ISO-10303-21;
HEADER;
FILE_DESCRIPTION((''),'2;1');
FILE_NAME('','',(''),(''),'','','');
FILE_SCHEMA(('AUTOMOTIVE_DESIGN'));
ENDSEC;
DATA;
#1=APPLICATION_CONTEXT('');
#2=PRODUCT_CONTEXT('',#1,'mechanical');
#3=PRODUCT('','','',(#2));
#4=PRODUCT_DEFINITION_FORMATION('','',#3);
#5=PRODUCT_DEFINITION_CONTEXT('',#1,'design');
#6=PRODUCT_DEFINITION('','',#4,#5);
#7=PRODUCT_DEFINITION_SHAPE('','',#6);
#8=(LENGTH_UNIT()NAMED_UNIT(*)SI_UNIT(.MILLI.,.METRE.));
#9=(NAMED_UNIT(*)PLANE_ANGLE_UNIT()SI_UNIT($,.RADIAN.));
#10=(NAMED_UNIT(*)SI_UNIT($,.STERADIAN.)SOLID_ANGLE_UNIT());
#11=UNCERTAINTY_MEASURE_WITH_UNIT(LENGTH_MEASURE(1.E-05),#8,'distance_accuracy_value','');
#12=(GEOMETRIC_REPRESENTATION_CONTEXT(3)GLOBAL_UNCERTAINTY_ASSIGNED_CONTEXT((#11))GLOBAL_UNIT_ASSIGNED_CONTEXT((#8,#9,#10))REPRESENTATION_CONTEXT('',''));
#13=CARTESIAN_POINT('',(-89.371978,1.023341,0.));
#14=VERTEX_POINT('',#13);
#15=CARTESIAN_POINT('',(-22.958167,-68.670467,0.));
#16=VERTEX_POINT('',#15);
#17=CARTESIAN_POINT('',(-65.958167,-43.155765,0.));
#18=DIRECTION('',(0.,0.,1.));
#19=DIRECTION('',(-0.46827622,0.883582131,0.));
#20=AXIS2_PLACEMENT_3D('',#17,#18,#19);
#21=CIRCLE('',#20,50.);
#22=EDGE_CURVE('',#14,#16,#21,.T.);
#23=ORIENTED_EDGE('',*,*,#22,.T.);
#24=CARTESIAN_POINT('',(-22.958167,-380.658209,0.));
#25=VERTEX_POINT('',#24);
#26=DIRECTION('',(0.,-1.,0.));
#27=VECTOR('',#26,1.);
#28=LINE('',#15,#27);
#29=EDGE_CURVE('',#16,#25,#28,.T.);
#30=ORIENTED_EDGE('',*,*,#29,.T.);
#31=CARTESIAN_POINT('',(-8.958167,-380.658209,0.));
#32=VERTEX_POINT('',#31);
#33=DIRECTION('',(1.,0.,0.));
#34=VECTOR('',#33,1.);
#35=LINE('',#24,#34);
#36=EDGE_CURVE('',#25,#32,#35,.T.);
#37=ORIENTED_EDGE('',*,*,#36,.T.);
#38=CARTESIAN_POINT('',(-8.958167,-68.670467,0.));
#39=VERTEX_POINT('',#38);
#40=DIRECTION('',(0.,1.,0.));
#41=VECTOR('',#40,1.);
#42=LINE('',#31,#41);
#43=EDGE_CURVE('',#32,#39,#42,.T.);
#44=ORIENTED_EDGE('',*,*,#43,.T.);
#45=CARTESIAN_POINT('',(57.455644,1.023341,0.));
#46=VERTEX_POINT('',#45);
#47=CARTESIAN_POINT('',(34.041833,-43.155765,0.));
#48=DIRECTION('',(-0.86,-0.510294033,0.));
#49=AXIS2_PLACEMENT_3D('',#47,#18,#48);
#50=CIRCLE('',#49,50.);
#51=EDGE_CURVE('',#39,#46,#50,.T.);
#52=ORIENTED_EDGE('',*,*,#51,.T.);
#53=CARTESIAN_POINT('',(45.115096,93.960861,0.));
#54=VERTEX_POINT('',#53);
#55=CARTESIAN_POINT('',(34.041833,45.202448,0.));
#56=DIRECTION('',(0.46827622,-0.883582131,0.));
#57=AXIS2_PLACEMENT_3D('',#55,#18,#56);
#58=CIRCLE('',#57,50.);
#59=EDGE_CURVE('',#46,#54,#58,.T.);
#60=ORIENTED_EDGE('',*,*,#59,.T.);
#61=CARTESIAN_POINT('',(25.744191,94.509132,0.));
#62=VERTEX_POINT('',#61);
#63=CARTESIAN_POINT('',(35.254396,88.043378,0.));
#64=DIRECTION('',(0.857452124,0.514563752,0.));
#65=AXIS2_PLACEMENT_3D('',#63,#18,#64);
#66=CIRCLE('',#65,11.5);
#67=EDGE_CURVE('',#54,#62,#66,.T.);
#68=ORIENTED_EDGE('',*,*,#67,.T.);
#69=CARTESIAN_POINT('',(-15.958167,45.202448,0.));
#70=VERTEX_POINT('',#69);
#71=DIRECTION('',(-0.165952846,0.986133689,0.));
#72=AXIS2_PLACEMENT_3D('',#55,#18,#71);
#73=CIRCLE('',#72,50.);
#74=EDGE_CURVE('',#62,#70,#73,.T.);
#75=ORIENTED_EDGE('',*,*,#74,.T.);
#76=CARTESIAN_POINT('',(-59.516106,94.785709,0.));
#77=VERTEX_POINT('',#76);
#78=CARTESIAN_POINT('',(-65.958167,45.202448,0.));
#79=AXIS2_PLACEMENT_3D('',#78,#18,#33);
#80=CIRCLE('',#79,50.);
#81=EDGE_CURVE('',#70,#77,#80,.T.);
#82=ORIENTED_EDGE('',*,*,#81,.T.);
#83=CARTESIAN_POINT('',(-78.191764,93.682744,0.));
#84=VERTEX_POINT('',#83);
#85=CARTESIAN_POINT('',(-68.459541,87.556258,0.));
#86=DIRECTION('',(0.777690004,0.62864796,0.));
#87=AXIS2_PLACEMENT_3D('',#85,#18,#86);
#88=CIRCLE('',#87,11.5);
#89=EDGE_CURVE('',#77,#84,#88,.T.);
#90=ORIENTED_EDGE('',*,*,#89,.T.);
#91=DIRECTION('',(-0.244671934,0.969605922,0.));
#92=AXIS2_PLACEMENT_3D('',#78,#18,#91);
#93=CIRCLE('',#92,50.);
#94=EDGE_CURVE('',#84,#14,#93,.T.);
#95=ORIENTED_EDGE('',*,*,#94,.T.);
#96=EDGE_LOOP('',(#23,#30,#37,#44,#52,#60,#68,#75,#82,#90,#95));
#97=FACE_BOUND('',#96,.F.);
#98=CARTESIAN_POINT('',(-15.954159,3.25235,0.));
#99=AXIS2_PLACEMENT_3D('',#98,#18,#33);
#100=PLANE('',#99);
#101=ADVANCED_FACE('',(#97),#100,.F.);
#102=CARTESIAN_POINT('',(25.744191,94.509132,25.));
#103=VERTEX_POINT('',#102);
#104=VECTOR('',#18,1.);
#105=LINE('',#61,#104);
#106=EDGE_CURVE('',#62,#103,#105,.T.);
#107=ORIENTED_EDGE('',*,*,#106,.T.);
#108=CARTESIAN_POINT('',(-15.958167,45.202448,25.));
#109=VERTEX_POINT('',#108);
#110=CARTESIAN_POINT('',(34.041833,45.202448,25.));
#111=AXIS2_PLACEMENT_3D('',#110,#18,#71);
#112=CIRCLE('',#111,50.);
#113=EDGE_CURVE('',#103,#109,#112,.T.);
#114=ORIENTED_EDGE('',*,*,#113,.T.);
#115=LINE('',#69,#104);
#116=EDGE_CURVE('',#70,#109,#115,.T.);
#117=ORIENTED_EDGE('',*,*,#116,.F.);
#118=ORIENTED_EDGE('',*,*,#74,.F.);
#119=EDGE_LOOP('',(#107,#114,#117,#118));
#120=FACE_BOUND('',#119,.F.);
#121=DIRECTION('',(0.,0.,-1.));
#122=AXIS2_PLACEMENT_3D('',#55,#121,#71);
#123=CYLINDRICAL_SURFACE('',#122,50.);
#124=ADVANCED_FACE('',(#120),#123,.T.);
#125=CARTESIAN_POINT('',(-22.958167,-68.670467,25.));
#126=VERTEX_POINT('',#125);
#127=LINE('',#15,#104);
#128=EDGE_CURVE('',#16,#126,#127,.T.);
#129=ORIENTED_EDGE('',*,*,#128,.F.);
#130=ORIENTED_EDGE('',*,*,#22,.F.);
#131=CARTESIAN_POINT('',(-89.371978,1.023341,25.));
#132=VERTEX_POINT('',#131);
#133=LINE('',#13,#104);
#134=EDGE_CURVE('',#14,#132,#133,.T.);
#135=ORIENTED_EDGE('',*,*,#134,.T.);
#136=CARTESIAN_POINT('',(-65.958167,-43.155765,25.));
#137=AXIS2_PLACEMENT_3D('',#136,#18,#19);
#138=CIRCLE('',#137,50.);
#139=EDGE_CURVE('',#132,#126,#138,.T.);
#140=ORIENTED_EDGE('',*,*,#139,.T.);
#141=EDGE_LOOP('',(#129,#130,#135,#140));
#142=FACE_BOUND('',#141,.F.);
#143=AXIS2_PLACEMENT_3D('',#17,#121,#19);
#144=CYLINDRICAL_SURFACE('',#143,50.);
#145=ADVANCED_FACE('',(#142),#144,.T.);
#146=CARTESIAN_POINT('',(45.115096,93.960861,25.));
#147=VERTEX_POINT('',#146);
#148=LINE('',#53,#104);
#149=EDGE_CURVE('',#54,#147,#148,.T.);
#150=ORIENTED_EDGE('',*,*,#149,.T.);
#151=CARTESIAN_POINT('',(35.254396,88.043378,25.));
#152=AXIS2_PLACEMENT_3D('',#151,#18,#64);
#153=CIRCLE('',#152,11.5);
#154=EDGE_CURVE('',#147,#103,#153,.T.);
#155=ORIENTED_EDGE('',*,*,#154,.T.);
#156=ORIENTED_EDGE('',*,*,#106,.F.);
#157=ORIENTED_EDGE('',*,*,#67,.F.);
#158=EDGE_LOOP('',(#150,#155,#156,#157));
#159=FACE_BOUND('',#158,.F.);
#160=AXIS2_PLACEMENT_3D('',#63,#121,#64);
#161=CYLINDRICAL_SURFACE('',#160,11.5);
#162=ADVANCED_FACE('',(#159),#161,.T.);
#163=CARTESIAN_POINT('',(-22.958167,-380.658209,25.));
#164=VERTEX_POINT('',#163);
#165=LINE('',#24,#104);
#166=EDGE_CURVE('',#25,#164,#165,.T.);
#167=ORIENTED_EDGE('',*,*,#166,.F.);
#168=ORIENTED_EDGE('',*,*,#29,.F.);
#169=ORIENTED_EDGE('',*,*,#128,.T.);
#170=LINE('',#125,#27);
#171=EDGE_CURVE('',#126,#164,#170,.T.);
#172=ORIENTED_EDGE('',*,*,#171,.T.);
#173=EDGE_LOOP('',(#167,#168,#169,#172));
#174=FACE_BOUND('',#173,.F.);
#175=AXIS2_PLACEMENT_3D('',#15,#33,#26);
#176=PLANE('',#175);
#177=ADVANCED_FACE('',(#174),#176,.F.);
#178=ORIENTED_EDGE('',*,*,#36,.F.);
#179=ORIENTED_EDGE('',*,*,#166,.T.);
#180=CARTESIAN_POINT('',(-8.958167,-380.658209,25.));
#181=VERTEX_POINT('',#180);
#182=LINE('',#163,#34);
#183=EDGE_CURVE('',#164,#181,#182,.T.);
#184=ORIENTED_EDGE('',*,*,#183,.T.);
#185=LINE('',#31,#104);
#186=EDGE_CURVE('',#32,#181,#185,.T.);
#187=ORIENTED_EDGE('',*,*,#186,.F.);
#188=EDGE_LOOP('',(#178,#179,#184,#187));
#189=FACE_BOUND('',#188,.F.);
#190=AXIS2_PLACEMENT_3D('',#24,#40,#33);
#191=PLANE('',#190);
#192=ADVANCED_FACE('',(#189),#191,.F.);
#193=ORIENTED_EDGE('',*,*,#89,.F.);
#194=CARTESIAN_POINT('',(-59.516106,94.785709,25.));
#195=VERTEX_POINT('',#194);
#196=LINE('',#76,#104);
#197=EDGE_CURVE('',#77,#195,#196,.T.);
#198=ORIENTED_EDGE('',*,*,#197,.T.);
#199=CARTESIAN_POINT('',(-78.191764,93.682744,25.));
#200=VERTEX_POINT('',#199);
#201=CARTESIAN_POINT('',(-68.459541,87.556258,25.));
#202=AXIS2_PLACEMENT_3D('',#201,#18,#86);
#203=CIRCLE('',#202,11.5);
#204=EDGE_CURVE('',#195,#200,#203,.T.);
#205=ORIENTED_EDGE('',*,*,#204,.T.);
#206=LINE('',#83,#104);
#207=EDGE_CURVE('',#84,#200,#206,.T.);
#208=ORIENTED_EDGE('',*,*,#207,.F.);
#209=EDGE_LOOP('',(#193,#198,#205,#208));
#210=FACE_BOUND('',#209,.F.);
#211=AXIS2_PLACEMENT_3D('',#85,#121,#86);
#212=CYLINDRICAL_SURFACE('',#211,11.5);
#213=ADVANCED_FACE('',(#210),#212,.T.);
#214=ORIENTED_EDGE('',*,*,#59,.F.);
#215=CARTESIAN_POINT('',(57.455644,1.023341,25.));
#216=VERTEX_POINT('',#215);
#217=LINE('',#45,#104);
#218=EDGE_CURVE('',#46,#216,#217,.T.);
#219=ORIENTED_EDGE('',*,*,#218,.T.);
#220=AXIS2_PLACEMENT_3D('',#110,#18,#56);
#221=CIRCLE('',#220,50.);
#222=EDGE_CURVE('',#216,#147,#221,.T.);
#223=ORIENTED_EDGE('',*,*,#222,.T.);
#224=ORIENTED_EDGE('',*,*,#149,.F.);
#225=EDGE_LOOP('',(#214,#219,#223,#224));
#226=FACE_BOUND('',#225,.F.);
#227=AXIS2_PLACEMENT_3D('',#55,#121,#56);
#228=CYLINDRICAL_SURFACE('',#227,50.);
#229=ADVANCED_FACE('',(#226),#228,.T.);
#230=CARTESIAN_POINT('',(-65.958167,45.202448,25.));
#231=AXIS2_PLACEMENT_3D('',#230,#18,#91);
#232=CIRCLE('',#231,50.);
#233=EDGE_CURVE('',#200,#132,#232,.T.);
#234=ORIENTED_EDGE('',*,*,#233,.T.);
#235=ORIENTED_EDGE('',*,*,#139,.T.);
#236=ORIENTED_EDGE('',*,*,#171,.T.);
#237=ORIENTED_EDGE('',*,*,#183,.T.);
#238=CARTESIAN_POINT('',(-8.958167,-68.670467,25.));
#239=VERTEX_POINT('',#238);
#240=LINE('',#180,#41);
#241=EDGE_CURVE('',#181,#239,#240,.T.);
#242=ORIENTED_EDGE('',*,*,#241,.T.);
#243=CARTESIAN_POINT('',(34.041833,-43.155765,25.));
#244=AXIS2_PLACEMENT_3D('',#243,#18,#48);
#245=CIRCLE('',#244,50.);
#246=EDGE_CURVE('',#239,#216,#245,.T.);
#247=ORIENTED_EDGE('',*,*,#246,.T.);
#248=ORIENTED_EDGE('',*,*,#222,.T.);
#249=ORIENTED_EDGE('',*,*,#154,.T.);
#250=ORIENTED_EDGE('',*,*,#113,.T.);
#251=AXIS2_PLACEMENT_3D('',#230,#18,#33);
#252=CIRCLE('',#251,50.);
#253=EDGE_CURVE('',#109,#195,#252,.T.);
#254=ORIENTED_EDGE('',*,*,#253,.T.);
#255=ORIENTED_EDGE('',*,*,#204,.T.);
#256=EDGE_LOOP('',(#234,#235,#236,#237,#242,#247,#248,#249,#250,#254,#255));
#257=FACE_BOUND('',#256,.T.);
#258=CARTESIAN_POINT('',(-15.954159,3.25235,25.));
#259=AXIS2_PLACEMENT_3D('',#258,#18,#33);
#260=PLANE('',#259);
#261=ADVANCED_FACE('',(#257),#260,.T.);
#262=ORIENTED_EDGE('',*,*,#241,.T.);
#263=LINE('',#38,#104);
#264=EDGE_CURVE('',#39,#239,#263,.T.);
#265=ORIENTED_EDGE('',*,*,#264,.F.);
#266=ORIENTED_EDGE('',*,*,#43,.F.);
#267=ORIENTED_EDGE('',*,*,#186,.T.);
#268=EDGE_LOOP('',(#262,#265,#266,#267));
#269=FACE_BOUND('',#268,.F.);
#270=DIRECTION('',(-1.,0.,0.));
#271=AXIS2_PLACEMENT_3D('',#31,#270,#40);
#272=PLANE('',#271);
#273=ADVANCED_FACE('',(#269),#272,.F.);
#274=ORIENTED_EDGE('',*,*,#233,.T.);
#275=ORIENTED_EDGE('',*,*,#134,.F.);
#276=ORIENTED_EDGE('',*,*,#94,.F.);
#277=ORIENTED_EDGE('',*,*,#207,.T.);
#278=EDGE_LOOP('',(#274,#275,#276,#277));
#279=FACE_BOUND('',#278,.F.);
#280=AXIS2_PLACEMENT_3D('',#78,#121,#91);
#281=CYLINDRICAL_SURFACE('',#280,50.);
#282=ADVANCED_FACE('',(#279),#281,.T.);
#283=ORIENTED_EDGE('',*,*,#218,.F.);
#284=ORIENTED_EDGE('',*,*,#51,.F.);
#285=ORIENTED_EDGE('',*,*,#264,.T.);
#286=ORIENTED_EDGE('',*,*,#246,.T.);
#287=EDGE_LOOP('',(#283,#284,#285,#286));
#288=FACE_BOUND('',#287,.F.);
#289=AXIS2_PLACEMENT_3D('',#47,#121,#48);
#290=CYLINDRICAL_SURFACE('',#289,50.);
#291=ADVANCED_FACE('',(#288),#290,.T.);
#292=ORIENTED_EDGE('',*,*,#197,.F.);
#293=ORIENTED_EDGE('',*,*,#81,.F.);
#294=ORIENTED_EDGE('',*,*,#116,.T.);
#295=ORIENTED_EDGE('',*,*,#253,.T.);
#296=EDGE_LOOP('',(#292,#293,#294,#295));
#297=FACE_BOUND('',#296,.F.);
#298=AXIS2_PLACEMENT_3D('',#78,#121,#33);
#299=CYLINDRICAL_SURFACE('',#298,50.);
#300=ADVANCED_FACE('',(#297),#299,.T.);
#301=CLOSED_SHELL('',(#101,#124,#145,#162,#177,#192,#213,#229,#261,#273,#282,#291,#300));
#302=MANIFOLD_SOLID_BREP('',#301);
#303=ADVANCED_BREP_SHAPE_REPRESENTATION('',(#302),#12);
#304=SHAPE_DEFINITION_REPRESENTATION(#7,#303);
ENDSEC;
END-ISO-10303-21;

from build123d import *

# Parameters (mm, degrees)
F1_DEPTH = 25
F2_DEPTH = 25


with BuildPart() as f1:
    # F0 (on Top) → F1 (new body)
    with BuildSketch(Plane.XY):
        with BuildLine():
            ThreePointArc((25.7441905011, 94.5091321303), (-4.1346135706, 77.4911290097), (-15.9581672003, 45.2024476719))
            ThreePointArc((-15.9581672003, 45.2024476719), (-28.3942012079, 78.2016667372), (-59.5161055572, 94.7857093817))
            ThreePointArc((-59.5161055572, 94.7857093817), (-69.1375376467, 99.0362543602), (-78.191763881, 93.6827437957))
            ThreePointArc((-78.191763881, 93.6827437957), (-115.5981273519, 51.1919681993), (-89.3719782194, 1.0233411444))
            ThreePointArc((-89.3719782194, 1.0233411444), (-102.1550099365, -77.6490774294), (-22.9581672003, -68.6704670274))
            Line((-22.9581672003, -68.6704670274), (-22.9581672003, -43.1557653831))
            Line((-22.9581672003, -43.1557653831), (-15.9581672003, -43.1557653831))
            Line((-15.9581672003, -43.1557653831), (-8.9581672003, -43.1557653831))
            Line((-8.9581672003, -43.1557653831), (-8.9581672003, -68.6704670274))
            ThreePointArc((-8.9581672003, -68.6704670274), (70.2386755359, -77.6490774294), (57.4556438187, 1.0233411444))
            ThreePointArc((57.4556438187, 1.0233411444), (83.6067922706, 51.7838451407), (45.1150959261, 93.9608607278))
            ThreePointArc((45.1150959261, 93.9608607278), (35.5797605926, 99.5387739728), (25.7441905011, 94.5091321303))
        make_face()
        with BuildLine():
            Line((-22.9581672003, -43.1557653831), (-22.9581672003, -68.6704670274))
            ThreePointArc((-22.9581672003, -68.6704670274), (-17.7399133953, -56.3845219384), (-15.9581672003, -43.1557653831))
            Line((-15.9581672003, -43.1557653831), (-22.9581672003, -43.1557653831))
        make_face()
        with BuildLine():
            ThreePointArc((-15.9581672003, -43.1557653831), (-17.7399133953, -56.3845219384), (-22.9581672003, -68.6704670274))
            Line((-22.9581672003, -68.6704670274), (-22.9581672003, -234.5025837421))
            Line((-22.9581672003, -234.5025837421), (-22.9581672003, -380.6582093239))
            Line((-22.9581672003, -380.6582093239), (-8.9581672003, -380.6582093239))
            Line((-8.9581672003, -380.6582093239), (-8.9581672003, -234.5025837421))
            Line((-8.9581672003, -234.5025837421), (-8.9581672003, -68.6704670274))
            ThreePointArc((-8.9581672003, -68.6704670274), (-14.1764210053, -56.3845219384), (-15.9581672003, -43.1557653831))
        make_face()
        with BuildLine():
            ThreePointArc((-15.9581672003, -43.1557653831), (-14.1764210053, -56.3845219384), (-8.9581672003, -68.6704670274))
            Line((-8.9581672003, -68.6704670274), (-8.9581672003, -43.1557653831))
            Line((-8.9581672003, -43.1557653831), (-15.9581672003, -43.1557653831))
        make_face()
    extrude(amount=F1_DEPTH)

    # F0 (on Top) → F2 (join)
    with BuildSketch(Plane.XY):
        with BuildLine():
            ThreePointArc((25.7441905011, 94.5091321303), (-4.1346135706, 77.4911290097), (-15.9581672003, 45.2024476719))
            ThreePointArc((-15.9581672003, 45.2024476719), (-28.3942012079, 78.2016667372), (-59.5161055572, 94.7857093817))
            ThreePointArc((-59.5161055572, 94.7857093817), (-69.1375376467, 99.0362543602), (-78.191763881, 93.6827437957))
            ThreePointArc((-78.191763881, 93.6827437957), (-115.5981273519, 51.1919681993), (-89.3719782194, 1.0233411444))
            ThreePointArc((-89.3719782194, 1.0233411444), (-102.1550099365, -77.6490774294), (-22.9581672003, -68.6704670274))
            Line((-22.9581672003, -68.6704670274), (-22.9581672003, -43.1557653831))
            Line((-22.9581672003, -43.1557653831), (-15.9581672003, -43.1557653831))
            Line((-15.9581672003, -43.1557653831), (-8.9581672003, -43.1557653831))
            Line((-8.9581672003, -43.1557653831), (-8.9581672003, -68.6704670274))
            ThreePointArc((-8.9581672003, -68.6704670274), (70.2386755359, -77.6490774294), (57.4556438187, 1.0233411444))
            ThreePointArc((57.4556438187, 1.0233411444), (83.6067922706, 51.7838451407), (45.1150959261, 93.9608607278))
            ThreePointArc((45.1150959261, 93.9608607278), (35.5797605926, 99.5387739728), (25.7441905011, 94.5091321303))
        make_face()
        with BuildLine():
            Line((-22.9581672003, -43.1557653831), (-22.9581672003, -68.6704670274))
            ThreePointArc((-22.9581672003, -68.6704670274), (-17.7399133953, -56.3845219384), (-15.9581672003, -43.1557653831))
            Line((-15.9581672003, -43.1557653831), (-22.9581672003, -43.1557653831))
        make_face()
        with BuildLine():
            ThreePointArc((-15.9581672003, -43.1557653831), (-17.7399133953, -56.3845219384), (-22.9581672003, -68.6704670274))
            Line((-22.9581672003, -68.6704670274), (-22.9581672003, -234.5025837421))
            Line((-22.9581672003, -234.5025837421), (-22.9581672003, -380.6582093239))
            Line((-22.9581672003, -380.6582093239), (-8.9581672003, -380.6582093239))
            Line((-8.9581672003, -380.6582093239), (-8.9581672003, -234.5025837421))
            Line((-8.9581672003, -234.5025837421), (-8.9581672003, -68.6704670274))
            ThreePointArc((-8.9581672003, -68.6704670274), (-14.1764210053, -56.3845219384), (-15.9581672003, -43.1557653831))
        make_face()
        with BuildLine():
            ThreePointArc((-15.9581672003, -43.1557653831), (-14.1764210053, -56.3845219384), (-8.9581672003, -68.6704670274))
            Line((-8.9581672003, -68.6704670274), (-8.9581672003, -43.1557653831))
            Line((-8.9581672003, -43.1557653831), (-15.9581672003, -43.1557653831))
        make_face()
    extrude(amount=F2_DEPTH)


solid = f1.part
